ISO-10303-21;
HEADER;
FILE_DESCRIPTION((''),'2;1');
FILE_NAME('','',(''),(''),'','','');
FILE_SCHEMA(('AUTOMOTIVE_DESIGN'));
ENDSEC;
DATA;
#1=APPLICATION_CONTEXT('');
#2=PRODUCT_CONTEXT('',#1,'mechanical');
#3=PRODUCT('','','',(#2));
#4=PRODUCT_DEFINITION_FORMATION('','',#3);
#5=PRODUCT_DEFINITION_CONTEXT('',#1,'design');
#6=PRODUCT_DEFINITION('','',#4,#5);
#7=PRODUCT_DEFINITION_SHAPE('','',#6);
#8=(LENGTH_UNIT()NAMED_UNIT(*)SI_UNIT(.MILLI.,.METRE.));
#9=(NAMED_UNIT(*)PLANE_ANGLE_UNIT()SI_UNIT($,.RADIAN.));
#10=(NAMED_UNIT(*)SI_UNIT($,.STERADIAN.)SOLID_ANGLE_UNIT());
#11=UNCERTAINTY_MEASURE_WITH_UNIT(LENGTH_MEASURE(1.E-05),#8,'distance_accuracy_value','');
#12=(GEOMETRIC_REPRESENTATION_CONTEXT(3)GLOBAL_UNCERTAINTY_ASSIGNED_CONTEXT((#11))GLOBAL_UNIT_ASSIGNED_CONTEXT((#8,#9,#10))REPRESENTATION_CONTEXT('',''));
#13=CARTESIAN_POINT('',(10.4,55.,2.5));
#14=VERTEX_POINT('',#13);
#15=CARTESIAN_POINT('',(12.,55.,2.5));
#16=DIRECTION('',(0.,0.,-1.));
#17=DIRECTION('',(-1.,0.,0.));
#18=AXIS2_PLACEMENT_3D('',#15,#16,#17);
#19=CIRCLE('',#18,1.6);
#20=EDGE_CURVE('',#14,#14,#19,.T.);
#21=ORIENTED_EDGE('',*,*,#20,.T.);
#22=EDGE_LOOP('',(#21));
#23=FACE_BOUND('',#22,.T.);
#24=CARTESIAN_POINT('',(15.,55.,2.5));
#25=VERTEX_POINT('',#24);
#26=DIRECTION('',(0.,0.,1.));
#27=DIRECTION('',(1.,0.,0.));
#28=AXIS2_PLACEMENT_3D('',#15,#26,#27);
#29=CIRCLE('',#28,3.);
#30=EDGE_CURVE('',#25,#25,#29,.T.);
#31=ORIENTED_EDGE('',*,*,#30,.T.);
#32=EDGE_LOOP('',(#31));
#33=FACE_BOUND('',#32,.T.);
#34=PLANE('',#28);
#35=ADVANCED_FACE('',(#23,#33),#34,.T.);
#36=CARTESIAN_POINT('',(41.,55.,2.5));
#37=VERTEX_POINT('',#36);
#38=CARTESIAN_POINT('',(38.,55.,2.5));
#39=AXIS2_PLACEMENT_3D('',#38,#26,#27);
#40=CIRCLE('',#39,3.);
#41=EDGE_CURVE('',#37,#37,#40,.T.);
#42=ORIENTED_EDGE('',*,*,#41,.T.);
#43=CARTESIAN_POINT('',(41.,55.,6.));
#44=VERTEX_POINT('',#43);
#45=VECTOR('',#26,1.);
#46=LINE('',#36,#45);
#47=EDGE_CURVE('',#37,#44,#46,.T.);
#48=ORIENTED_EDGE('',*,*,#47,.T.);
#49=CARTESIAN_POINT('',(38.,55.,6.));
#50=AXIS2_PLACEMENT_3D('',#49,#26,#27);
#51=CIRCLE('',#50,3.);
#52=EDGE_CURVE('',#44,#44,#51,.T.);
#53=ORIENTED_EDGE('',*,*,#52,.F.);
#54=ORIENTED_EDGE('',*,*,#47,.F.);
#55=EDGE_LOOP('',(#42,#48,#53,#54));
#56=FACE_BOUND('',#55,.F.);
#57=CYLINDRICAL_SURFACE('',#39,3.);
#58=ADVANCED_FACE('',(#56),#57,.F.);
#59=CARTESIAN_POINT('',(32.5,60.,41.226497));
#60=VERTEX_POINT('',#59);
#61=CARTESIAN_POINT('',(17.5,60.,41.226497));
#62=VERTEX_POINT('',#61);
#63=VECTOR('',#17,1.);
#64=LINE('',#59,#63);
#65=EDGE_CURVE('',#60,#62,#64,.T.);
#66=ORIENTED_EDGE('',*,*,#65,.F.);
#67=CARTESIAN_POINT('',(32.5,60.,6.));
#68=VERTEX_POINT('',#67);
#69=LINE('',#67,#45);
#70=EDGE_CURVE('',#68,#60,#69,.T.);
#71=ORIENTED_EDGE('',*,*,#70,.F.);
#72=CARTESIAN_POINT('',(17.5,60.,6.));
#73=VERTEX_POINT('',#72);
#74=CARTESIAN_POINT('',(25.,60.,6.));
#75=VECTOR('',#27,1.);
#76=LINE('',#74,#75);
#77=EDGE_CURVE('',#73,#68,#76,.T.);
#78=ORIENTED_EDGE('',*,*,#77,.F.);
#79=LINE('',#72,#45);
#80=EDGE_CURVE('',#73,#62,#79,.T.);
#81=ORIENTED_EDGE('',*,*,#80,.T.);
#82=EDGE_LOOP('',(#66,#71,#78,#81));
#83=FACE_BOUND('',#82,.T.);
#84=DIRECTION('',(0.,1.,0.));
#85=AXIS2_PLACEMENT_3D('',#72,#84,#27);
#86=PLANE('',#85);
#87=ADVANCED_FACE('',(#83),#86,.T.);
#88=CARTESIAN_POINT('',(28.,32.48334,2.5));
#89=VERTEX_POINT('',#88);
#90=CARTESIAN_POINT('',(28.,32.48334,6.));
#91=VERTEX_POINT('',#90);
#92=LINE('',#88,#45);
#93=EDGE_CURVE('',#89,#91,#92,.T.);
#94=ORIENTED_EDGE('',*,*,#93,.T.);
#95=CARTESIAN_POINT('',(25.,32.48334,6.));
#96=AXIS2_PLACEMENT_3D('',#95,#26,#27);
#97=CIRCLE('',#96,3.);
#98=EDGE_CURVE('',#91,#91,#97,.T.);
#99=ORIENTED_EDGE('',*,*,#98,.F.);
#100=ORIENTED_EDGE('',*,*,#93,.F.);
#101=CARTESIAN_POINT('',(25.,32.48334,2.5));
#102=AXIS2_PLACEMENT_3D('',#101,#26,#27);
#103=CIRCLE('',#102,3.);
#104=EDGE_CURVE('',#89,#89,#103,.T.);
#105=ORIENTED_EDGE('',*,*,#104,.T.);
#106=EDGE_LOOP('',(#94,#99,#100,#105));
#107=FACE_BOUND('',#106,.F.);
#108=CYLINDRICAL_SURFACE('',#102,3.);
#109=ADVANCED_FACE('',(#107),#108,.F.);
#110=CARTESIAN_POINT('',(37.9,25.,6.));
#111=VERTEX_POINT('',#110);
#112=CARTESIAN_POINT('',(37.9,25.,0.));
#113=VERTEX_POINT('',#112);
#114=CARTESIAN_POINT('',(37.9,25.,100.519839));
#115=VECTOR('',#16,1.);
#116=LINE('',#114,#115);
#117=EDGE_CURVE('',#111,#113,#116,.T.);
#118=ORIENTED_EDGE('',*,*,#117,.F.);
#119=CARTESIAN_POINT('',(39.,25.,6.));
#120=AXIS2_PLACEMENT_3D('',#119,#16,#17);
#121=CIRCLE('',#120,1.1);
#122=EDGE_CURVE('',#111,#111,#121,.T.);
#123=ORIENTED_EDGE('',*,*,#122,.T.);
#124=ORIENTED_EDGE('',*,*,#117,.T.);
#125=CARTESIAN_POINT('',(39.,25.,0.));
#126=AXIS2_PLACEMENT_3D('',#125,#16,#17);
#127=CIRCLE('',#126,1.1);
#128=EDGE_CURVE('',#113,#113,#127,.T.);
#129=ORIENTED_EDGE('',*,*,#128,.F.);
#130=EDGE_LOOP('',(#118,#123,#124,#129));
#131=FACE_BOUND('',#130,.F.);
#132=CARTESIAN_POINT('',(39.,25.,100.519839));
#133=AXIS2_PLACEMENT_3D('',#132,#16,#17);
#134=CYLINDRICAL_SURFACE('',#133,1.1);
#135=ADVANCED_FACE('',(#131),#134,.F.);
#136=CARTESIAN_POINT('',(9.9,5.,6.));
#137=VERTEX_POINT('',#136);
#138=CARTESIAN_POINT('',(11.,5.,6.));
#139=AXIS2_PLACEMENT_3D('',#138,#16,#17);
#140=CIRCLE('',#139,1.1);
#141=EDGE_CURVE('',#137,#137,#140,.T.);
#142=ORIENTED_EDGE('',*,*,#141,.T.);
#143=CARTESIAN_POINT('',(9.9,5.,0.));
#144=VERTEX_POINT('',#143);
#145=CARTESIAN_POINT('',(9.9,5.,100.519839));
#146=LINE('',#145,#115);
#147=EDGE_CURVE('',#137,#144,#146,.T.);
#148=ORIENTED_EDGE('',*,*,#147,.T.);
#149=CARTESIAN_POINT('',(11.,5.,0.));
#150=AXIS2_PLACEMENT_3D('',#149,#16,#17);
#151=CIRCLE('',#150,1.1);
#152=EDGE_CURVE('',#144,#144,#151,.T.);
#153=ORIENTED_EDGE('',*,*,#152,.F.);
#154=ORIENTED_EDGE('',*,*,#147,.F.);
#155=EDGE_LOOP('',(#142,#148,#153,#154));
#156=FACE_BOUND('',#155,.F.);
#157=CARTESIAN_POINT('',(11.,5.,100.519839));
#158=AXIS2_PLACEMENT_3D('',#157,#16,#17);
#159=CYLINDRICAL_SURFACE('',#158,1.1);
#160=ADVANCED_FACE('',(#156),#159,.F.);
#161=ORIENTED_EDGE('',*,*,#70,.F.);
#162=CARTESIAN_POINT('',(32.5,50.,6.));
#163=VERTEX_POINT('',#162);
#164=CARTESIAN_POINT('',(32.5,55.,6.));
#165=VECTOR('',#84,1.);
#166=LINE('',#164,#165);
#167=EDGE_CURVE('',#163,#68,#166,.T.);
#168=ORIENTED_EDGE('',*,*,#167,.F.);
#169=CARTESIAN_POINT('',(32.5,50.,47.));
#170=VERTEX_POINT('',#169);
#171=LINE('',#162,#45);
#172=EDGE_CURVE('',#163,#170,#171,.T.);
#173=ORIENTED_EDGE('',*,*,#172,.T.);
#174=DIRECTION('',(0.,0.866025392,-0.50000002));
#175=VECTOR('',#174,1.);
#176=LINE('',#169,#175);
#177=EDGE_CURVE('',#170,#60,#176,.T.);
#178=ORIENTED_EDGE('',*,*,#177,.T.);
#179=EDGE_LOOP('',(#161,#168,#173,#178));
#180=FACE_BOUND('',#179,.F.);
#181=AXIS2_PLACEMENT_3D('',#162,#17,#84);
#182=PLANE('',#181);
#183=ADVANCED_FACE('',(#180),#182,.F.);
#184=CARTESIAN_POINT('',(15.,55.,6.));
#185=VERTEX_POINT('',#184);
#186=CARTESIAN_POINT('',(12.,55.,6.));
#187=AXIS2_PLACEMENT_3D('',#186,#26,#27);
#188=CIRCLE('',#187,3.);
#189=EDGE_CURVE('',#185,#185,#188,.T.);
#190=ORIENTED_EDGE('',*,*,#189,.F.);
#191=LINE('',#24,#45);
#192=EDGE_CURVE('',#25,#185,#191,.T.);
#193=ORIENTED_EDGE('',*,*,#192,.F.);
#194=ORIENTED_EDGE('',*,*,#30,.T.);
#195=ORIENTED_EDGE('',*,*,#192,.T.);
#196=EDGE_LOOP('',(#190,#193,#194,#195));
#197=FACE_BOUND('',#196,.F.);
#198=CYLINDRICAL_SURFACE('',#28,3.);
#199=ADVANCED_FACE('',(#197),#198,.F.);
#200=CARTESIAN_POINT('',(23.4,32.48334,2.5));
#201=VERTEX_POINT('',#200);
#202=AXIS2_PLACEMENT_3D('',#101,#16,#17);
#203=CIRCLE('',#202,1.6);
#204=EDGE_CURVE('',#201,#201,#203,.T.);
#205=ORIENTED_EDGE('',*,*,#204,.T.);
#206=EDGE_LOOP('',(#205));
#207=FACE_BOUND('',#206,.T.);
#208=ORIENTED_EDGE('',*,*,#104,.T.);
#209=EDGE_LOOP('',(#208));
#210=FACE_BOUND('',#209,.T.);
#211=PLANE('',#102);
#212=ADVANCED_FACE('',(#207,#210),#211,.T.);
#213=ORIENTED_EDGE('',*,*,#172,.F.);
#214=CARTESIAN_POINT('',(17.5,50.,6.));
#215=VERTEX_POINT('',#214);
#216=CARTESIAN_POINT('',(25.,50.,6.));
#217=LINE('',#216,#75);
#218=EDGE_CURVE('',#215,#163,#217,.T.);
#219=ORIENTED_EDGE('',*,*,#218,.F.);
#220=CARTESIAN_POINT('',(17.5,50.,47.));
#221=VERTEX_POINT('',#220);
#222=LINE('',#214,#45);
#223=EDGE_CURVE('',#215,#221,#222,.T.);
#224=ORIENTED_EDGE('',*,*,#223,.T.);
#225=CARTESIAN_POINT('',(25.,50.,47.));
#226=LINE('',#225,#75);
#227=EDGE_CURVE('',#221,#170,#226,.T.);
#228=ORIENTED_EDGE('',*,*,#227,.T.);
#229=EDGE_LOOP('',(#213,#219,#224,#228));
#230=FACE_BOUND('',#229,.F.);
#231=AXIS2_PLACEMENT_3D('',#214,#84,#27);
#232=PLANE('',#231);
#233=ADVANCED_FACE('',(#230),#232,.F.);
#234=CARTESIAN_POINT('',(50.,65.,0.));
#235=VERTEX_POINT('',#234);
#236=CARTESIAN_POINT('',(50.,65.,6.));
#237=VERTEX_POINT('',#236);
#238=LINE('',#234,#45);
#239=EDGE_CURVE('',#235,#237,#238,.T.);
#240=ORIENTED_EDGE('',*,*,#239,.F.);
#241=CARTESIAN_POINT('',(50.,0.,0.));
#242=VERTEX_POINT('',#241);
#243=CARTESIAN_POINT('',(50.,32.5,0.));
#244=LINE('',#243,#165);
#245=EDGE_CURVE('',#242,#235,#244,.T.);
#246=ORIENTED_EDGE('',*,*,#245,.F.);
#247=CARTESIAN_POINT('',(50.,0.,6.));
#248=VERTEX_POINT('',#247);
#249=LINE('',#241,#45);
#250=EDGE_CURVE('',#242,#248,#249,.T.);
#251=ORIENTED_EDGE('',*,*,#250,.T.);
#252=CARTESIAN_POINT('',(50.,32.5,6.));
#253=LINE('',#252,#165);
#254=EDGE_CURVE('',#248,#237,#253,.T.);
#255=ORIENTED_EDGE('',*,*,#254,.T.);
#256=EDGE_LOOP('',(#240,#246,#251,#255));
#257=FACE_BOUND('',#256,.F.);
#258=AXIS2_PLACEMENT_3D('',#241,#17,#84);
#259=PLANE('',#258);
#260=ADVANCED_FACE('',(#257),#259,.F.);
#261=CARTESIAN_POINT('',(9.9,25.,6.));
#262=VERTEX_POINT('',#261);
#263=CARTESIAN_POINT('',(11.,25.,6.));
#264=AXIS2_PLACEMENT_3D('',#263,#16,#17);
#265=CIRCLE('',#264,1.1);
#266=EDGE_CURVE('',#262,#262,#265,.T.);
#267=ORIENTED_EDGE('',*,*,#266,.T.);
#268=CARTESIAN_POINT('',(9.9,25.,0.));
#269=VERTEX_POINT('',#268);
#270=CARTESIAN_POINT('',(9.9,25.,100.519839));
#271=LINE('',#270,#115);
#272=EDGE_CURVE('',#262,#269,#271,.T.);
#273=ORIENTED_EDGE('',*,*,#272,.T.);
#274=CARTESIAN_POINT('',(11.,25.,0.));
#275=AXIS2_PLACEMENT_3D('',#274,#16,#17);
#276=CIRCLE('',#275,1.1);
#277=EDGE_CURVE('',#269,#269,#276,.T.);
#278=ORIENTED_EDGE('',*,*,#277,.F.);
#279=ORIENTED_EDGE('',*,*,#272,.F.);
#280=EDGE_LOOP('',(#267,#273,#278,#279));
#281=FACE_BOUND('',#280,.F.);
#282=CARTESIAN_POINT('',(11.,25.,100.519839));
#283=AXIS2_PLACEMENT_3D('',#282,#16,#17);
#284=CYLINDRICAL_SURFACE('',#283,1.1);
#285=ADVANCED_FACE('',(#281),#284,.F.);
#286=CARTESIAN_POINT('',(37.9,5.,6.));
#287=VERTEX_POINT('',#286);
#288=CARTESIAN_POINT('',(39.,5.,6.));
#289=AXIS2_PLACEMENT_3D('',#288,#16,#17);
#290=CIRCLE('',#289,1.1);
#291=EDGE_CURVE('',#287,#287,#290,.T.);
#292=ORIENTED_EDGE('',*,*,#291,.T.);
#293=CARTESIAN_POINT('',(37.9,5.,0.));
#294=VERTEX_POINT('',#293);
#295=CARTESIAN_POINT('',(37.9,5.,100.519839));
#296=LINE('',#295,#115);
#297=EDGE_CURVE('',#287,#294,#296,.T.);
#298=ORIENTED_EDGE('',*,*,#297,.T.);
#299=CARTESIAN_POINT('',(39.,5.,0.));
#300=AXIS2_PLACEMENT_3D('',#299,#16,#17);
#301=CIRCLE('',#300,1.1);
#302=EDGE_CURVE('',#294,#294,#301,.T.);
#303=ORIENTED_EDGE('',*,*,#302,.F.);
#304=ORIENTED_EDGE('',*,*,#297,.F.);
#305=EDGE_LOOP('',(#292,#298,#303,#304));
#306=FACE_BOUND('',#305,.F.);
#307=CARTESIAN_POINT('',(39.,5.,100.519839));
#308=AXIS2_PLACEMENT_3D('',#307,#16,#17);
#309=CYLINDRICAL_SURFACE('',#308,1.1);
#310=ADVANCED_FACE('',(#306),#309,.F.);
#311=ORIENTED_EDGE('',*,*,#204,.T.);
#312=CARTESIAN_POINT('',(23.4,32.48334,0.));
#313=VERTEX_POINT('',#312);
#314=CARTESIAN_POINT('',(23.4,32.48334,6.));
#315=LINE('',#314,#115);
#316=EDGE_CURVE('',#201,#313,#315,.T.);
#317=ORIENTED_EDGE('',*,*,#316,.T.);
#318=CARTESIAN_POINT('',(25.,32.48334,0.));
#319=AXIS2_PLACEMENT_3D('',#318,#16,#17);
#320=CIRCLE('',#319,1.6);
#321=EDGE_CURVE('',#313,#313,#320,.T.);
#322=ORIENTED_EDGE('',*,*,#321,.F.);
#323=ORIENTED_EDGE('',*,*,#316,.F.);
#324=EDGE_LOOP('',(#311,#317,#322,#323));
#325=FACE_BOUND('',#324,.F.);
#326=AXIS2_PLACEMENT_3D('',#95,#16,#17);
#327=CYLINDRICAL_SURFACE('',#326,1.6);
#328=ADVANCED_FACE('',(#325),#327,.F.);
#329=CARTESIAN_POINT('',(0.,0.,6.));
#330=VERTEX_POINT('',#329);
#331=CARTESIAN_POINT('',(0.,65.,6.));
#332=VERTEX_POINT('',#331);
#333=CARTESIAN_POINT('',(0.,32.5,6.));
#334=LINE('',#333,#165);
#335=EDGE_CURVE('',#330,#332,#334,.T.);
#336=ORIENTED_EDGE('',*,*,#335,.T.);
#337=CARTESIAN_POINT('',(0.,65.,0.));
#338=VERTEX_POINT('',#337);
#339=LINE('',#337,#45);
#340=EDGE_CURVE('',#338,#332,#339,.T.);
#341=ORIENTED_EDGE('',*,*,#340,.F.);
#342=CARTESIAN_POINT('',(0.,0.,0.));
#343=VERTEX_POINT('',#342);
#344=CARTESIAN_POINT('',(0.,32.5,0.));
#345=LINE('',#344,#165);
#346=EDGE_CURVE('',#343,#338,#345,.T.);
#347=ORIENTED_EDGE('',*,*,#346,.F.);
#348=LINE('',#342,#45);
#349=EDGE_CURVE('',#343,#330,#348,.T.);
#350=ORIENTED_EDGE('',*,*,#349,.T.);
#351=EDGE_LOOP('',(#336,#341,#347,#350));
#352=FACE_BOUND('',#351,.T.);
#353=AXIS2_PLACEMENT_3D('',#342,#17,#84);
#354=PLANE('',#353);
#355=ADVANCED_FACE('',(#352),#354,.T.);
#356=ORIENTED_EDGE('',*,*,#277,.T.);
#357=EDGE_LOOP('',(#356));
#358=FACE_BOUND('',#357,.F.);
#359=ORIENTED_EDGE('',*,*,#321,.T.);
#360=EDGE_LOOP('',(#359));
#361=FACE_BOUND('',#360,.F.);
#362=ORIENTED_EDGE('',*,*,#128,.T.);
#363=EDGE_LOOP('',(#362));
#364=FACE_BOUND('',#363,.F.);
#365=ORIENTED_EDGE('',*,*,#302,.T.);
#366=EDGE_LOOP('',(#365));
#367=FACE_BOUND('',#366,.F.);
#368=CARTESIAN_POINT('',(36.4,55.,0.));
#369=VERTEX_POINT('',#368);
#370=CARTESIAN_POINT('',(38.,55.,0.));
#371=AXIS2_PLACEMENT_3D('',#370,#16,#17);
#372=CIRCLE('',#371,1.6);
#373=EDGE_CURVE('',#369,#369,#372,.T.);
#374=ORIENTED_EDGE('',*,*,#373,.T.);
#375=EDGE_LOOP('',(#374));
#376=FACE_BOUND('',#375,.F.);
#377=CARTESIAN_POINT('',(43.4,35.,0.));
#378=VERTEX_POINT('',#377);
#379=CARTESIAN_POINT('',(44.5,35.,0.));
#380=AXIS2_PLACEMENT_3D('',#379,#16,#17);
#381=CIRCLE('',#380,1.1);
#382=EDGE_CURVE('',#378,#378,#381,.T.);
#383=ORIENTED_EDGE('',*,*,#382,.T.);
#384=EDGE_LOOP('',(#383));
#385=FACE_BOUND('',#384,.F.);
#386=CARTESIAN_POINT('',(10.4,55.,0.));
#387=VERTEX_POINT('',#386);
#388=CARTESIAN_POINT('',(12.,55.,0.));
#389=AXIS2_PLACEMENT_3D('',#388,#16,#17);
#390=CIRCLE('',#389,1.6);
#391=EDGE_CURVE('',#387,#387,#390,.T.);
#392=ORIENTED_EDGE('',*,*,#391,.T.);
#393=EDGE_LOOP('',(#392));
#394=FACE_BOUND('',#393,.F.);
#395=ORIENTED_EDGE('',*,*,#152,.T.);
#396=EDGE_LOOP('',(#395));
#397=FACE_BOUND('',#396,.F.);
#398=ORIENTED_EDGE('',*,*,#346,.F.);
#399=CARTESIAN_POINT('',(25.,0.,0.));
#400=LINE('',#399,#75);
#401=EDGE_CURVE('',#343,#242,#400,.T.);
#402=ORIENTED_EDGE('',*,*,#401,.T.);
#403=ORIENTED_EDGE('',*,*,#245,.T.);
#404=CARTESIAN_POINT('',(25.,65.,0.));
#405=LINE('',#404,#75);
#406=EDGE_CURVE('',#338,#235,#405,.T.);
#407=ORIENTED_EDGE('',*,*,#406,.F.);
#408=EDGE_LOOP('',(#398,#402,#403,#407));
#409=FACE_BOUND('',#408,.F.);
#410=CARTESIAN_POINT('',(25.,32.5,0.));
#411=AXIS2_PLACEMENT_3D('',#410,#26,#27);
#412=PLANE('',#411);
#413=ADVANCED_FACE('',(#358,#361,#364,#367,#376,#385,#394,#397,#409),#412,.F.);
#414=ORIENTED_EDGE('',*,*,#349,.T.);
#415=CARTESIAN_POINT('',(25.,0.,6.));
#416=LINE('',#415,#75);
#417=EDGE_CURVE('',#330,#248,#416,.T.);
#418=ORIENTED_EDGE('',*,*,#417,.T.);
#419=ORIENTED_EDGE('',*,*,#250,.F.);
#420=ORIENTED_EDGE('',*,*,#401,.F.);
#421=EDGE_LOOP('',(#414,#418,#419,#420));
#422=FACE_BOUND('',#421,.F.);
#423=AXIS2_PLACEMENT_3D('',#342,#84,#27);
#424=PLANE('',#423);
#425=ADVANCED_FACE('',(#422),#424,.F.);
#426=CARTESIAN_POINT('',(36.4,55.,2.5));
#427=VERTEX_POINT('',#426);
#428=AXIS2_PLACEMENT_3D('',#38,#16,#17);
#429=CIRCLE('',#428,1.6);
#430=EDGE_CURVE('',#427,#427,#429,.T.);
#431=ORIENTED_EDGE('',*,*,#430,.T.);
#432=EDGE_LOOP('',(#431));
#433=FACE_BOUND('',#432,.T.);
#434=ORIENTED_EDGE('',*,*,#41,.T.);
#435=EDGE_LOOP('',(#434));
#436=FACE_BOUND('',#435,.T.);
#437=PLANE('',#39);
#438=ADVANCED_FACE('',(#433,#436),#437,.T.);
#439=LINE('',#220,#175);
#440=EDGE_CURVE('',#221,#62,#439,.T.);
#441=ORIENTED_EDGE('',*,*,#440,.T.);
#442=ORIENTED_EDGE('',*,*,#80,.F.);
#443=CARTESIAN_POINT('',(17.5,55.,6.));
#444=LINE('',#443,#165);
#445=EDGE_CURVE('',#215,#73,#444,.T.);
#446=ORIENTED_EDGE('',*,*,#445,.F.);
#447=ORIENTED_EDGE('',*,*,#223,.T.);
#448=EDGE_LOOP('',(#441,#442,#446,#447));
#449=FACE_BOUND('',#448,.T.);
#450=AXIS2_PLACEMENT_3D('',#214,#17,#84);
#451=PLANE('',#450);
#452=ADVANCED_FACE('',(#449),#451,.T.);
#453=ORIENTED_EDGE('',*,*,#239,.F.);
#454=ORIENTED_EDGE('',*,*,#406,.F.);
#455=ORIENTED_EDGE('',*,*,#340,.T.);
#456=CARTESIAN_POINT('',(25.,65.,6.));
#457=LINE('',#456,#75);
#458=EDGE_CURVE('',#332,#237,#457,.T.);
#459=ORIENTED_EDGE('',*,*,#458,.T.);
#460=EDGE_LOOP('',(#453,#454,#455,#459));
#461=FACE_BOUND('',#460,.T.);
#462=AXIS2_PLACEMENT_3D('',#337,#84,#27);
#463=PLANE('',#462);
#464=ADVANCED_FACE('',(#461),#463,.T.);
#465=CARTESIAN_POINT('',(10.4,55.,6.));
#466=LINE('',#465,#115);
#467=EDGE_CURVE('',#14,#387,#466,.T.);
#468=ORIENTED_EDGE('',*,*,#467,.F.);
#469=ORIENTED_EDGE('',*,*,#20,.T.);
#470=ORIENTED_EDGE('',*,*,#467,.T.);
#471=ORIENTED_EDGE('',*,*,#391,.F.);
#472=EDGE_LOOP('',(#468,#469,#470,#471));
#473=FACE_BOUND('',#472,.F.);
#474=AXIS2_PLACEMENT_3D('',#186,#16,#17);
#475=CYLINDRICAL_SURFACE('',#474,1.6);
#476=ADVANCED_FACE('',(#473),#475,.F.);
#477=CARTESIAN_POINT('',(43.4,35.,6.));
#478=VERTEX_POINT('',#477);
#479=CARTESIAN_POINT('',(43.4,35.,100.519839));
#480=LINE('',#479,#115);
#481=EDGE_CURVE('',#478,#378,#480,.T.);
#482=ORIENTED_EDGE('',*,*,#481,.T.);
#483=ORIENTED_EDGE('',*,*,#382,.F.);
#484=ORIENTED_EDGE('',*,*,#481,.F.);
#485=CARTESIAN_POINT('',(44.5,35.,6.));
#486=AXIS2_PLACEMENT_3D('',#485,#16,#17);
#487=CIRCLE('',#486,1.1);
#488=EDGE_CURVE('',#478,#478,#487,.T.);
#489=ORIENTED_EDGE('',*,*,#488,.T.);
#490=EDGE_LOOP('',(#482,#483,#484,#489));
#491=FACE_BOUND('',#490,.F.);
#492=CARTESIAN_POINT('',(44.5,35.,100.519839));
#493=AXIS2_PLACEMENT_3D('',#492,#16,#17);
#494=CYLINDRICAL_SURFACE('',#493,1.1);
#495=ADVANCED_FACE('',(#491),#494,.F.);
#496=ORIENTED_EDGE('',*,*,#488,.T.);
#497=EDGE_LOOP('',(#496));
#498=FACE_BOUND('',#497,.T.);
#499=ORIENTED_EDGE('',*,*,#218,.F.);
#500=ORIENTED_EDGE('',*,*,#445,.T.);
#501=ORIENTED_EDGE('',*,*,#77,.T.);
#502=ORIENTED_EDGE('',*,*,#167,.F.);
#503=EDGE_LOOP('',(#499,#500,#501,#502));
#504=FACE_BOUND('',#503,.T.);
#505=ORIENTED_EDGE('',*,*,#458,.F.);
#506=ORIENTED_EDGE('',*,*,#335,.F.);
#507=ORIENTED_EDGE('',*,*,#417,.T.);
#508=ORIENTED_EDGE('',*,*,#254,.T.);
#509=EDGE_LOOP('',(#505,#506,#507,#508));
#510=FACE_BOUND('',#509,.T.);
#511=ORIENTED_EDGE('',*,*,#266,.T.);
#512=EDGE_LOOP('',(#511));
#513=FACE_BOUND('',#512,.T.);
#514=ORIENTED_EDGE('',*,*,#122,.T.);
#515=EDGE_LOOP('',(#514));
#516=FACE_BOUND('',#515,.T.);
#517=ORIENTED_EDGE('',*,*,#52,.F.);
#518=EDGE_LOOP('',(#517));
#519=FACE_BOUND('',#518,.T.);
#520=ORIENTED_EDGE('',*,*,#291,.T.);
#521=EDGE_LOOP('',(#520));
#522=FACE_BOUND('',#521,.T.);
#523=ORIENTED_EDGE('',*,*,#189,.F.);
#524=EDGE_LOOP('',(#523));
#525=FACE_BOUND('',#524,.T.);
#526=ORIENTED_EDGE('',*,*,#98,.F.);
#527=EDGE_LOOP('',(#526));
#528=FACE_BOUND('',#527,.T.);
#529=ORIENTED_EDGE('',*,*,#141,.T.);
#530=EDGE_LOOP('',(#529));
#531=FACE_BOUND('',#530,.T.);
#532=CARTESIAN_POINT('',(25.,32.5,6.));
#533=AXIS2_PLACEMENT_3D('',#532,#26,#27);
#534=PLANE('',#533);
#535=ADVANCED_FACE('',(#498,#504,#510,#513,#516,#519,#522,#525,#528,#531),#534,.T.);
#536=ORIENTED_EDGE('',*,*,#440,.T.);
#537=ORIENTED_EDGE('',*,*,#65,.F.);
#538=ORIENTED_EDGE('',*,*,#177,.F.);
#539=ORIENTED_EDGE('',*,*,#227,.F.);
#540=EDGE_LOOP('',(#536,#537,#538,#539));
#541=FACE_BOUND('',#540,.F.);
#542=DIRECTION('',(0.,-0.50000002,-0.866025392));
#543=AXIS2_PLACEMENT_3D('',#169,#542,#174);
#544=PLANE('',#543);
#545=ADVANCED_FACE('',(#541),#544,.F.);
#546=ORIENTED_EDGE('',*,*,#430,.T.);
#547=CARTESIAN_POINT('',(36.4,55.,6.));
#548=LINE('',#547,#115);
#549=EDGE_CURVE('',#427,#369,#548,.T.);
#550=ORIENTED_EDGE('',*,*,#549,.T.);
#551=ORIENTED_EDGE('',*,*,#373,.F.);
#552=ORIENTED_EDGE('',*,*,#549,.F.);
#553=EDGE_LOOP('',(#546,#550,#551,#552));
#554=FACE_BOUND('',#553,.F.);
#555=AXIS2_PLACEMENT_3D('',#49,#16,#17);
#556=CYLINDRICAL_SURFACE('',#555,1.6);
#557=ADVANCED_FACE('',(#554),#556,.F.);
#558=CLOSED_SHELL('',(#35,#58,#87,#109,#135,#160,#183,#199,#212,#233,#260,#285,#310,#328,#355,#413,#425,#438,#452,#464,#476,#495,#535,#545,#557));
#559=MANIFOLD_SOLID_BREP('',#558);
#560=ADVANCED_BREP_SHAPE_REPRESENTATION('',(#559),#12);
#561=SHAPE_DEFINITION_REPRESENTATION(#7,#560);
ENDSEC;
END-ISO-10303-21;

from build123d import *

# Parameters (mm, degrees)
F0_W           = 50
F0_H           = 65
F1_DEPTH       = 6
F2_W           = 15
F2_H           = 10
F3_DEPTH       = 41
F5_D           = 3.2
F5_CBORE_D     = 6
F5_CBORE_DEPTH = 3.5
F7_D           = 2.2
F9_DEPTH       = 15


with BuildPart() as f1:
    # F0 (on Top) → F1 (new body)
    with BuildSketch(Plane.XY):
        with Locations((25, 32.5)):
            Rectangle(F0_W, F0_H)
    extrude(amount=F1_DEPTH)

    # F2 (on face) → F3 (join)
    with BuildSketch(Plane.XY.offset(6)):
        with Locations((25, 55)):
            Rectangle(F2_W, F2_H)
    extrude(amount=F3_DEPTH)

    # F5 (through all)
    with Locations(Plane.XY.offset(6)):
        with Locations((12, 55), (38, 55), (25, 32.48334)):
            CounterBoreHole(F5_D / 2, F5_CBORE_D / 2, F5_CBORE_DEPTH)

    # F7 (through all)
    with Locations(Plane.XY.offset(6)):
        with Locations((11, 25), (39, 25), (39, 5), (11, 5), (44.5, 35)):
            Hole(F7_D / 2)

    # F8 (on face) → F9 (cut, through all)
    with BuildSketch(Plane.YZ.offset(32.5)):
        Polygon((60, 47), (50, 47), (60, 41.226497), align=None)
    extrude(amount=-F9_DEPTH, mode=Mode.SUBTRACT)


solid = f1.part
